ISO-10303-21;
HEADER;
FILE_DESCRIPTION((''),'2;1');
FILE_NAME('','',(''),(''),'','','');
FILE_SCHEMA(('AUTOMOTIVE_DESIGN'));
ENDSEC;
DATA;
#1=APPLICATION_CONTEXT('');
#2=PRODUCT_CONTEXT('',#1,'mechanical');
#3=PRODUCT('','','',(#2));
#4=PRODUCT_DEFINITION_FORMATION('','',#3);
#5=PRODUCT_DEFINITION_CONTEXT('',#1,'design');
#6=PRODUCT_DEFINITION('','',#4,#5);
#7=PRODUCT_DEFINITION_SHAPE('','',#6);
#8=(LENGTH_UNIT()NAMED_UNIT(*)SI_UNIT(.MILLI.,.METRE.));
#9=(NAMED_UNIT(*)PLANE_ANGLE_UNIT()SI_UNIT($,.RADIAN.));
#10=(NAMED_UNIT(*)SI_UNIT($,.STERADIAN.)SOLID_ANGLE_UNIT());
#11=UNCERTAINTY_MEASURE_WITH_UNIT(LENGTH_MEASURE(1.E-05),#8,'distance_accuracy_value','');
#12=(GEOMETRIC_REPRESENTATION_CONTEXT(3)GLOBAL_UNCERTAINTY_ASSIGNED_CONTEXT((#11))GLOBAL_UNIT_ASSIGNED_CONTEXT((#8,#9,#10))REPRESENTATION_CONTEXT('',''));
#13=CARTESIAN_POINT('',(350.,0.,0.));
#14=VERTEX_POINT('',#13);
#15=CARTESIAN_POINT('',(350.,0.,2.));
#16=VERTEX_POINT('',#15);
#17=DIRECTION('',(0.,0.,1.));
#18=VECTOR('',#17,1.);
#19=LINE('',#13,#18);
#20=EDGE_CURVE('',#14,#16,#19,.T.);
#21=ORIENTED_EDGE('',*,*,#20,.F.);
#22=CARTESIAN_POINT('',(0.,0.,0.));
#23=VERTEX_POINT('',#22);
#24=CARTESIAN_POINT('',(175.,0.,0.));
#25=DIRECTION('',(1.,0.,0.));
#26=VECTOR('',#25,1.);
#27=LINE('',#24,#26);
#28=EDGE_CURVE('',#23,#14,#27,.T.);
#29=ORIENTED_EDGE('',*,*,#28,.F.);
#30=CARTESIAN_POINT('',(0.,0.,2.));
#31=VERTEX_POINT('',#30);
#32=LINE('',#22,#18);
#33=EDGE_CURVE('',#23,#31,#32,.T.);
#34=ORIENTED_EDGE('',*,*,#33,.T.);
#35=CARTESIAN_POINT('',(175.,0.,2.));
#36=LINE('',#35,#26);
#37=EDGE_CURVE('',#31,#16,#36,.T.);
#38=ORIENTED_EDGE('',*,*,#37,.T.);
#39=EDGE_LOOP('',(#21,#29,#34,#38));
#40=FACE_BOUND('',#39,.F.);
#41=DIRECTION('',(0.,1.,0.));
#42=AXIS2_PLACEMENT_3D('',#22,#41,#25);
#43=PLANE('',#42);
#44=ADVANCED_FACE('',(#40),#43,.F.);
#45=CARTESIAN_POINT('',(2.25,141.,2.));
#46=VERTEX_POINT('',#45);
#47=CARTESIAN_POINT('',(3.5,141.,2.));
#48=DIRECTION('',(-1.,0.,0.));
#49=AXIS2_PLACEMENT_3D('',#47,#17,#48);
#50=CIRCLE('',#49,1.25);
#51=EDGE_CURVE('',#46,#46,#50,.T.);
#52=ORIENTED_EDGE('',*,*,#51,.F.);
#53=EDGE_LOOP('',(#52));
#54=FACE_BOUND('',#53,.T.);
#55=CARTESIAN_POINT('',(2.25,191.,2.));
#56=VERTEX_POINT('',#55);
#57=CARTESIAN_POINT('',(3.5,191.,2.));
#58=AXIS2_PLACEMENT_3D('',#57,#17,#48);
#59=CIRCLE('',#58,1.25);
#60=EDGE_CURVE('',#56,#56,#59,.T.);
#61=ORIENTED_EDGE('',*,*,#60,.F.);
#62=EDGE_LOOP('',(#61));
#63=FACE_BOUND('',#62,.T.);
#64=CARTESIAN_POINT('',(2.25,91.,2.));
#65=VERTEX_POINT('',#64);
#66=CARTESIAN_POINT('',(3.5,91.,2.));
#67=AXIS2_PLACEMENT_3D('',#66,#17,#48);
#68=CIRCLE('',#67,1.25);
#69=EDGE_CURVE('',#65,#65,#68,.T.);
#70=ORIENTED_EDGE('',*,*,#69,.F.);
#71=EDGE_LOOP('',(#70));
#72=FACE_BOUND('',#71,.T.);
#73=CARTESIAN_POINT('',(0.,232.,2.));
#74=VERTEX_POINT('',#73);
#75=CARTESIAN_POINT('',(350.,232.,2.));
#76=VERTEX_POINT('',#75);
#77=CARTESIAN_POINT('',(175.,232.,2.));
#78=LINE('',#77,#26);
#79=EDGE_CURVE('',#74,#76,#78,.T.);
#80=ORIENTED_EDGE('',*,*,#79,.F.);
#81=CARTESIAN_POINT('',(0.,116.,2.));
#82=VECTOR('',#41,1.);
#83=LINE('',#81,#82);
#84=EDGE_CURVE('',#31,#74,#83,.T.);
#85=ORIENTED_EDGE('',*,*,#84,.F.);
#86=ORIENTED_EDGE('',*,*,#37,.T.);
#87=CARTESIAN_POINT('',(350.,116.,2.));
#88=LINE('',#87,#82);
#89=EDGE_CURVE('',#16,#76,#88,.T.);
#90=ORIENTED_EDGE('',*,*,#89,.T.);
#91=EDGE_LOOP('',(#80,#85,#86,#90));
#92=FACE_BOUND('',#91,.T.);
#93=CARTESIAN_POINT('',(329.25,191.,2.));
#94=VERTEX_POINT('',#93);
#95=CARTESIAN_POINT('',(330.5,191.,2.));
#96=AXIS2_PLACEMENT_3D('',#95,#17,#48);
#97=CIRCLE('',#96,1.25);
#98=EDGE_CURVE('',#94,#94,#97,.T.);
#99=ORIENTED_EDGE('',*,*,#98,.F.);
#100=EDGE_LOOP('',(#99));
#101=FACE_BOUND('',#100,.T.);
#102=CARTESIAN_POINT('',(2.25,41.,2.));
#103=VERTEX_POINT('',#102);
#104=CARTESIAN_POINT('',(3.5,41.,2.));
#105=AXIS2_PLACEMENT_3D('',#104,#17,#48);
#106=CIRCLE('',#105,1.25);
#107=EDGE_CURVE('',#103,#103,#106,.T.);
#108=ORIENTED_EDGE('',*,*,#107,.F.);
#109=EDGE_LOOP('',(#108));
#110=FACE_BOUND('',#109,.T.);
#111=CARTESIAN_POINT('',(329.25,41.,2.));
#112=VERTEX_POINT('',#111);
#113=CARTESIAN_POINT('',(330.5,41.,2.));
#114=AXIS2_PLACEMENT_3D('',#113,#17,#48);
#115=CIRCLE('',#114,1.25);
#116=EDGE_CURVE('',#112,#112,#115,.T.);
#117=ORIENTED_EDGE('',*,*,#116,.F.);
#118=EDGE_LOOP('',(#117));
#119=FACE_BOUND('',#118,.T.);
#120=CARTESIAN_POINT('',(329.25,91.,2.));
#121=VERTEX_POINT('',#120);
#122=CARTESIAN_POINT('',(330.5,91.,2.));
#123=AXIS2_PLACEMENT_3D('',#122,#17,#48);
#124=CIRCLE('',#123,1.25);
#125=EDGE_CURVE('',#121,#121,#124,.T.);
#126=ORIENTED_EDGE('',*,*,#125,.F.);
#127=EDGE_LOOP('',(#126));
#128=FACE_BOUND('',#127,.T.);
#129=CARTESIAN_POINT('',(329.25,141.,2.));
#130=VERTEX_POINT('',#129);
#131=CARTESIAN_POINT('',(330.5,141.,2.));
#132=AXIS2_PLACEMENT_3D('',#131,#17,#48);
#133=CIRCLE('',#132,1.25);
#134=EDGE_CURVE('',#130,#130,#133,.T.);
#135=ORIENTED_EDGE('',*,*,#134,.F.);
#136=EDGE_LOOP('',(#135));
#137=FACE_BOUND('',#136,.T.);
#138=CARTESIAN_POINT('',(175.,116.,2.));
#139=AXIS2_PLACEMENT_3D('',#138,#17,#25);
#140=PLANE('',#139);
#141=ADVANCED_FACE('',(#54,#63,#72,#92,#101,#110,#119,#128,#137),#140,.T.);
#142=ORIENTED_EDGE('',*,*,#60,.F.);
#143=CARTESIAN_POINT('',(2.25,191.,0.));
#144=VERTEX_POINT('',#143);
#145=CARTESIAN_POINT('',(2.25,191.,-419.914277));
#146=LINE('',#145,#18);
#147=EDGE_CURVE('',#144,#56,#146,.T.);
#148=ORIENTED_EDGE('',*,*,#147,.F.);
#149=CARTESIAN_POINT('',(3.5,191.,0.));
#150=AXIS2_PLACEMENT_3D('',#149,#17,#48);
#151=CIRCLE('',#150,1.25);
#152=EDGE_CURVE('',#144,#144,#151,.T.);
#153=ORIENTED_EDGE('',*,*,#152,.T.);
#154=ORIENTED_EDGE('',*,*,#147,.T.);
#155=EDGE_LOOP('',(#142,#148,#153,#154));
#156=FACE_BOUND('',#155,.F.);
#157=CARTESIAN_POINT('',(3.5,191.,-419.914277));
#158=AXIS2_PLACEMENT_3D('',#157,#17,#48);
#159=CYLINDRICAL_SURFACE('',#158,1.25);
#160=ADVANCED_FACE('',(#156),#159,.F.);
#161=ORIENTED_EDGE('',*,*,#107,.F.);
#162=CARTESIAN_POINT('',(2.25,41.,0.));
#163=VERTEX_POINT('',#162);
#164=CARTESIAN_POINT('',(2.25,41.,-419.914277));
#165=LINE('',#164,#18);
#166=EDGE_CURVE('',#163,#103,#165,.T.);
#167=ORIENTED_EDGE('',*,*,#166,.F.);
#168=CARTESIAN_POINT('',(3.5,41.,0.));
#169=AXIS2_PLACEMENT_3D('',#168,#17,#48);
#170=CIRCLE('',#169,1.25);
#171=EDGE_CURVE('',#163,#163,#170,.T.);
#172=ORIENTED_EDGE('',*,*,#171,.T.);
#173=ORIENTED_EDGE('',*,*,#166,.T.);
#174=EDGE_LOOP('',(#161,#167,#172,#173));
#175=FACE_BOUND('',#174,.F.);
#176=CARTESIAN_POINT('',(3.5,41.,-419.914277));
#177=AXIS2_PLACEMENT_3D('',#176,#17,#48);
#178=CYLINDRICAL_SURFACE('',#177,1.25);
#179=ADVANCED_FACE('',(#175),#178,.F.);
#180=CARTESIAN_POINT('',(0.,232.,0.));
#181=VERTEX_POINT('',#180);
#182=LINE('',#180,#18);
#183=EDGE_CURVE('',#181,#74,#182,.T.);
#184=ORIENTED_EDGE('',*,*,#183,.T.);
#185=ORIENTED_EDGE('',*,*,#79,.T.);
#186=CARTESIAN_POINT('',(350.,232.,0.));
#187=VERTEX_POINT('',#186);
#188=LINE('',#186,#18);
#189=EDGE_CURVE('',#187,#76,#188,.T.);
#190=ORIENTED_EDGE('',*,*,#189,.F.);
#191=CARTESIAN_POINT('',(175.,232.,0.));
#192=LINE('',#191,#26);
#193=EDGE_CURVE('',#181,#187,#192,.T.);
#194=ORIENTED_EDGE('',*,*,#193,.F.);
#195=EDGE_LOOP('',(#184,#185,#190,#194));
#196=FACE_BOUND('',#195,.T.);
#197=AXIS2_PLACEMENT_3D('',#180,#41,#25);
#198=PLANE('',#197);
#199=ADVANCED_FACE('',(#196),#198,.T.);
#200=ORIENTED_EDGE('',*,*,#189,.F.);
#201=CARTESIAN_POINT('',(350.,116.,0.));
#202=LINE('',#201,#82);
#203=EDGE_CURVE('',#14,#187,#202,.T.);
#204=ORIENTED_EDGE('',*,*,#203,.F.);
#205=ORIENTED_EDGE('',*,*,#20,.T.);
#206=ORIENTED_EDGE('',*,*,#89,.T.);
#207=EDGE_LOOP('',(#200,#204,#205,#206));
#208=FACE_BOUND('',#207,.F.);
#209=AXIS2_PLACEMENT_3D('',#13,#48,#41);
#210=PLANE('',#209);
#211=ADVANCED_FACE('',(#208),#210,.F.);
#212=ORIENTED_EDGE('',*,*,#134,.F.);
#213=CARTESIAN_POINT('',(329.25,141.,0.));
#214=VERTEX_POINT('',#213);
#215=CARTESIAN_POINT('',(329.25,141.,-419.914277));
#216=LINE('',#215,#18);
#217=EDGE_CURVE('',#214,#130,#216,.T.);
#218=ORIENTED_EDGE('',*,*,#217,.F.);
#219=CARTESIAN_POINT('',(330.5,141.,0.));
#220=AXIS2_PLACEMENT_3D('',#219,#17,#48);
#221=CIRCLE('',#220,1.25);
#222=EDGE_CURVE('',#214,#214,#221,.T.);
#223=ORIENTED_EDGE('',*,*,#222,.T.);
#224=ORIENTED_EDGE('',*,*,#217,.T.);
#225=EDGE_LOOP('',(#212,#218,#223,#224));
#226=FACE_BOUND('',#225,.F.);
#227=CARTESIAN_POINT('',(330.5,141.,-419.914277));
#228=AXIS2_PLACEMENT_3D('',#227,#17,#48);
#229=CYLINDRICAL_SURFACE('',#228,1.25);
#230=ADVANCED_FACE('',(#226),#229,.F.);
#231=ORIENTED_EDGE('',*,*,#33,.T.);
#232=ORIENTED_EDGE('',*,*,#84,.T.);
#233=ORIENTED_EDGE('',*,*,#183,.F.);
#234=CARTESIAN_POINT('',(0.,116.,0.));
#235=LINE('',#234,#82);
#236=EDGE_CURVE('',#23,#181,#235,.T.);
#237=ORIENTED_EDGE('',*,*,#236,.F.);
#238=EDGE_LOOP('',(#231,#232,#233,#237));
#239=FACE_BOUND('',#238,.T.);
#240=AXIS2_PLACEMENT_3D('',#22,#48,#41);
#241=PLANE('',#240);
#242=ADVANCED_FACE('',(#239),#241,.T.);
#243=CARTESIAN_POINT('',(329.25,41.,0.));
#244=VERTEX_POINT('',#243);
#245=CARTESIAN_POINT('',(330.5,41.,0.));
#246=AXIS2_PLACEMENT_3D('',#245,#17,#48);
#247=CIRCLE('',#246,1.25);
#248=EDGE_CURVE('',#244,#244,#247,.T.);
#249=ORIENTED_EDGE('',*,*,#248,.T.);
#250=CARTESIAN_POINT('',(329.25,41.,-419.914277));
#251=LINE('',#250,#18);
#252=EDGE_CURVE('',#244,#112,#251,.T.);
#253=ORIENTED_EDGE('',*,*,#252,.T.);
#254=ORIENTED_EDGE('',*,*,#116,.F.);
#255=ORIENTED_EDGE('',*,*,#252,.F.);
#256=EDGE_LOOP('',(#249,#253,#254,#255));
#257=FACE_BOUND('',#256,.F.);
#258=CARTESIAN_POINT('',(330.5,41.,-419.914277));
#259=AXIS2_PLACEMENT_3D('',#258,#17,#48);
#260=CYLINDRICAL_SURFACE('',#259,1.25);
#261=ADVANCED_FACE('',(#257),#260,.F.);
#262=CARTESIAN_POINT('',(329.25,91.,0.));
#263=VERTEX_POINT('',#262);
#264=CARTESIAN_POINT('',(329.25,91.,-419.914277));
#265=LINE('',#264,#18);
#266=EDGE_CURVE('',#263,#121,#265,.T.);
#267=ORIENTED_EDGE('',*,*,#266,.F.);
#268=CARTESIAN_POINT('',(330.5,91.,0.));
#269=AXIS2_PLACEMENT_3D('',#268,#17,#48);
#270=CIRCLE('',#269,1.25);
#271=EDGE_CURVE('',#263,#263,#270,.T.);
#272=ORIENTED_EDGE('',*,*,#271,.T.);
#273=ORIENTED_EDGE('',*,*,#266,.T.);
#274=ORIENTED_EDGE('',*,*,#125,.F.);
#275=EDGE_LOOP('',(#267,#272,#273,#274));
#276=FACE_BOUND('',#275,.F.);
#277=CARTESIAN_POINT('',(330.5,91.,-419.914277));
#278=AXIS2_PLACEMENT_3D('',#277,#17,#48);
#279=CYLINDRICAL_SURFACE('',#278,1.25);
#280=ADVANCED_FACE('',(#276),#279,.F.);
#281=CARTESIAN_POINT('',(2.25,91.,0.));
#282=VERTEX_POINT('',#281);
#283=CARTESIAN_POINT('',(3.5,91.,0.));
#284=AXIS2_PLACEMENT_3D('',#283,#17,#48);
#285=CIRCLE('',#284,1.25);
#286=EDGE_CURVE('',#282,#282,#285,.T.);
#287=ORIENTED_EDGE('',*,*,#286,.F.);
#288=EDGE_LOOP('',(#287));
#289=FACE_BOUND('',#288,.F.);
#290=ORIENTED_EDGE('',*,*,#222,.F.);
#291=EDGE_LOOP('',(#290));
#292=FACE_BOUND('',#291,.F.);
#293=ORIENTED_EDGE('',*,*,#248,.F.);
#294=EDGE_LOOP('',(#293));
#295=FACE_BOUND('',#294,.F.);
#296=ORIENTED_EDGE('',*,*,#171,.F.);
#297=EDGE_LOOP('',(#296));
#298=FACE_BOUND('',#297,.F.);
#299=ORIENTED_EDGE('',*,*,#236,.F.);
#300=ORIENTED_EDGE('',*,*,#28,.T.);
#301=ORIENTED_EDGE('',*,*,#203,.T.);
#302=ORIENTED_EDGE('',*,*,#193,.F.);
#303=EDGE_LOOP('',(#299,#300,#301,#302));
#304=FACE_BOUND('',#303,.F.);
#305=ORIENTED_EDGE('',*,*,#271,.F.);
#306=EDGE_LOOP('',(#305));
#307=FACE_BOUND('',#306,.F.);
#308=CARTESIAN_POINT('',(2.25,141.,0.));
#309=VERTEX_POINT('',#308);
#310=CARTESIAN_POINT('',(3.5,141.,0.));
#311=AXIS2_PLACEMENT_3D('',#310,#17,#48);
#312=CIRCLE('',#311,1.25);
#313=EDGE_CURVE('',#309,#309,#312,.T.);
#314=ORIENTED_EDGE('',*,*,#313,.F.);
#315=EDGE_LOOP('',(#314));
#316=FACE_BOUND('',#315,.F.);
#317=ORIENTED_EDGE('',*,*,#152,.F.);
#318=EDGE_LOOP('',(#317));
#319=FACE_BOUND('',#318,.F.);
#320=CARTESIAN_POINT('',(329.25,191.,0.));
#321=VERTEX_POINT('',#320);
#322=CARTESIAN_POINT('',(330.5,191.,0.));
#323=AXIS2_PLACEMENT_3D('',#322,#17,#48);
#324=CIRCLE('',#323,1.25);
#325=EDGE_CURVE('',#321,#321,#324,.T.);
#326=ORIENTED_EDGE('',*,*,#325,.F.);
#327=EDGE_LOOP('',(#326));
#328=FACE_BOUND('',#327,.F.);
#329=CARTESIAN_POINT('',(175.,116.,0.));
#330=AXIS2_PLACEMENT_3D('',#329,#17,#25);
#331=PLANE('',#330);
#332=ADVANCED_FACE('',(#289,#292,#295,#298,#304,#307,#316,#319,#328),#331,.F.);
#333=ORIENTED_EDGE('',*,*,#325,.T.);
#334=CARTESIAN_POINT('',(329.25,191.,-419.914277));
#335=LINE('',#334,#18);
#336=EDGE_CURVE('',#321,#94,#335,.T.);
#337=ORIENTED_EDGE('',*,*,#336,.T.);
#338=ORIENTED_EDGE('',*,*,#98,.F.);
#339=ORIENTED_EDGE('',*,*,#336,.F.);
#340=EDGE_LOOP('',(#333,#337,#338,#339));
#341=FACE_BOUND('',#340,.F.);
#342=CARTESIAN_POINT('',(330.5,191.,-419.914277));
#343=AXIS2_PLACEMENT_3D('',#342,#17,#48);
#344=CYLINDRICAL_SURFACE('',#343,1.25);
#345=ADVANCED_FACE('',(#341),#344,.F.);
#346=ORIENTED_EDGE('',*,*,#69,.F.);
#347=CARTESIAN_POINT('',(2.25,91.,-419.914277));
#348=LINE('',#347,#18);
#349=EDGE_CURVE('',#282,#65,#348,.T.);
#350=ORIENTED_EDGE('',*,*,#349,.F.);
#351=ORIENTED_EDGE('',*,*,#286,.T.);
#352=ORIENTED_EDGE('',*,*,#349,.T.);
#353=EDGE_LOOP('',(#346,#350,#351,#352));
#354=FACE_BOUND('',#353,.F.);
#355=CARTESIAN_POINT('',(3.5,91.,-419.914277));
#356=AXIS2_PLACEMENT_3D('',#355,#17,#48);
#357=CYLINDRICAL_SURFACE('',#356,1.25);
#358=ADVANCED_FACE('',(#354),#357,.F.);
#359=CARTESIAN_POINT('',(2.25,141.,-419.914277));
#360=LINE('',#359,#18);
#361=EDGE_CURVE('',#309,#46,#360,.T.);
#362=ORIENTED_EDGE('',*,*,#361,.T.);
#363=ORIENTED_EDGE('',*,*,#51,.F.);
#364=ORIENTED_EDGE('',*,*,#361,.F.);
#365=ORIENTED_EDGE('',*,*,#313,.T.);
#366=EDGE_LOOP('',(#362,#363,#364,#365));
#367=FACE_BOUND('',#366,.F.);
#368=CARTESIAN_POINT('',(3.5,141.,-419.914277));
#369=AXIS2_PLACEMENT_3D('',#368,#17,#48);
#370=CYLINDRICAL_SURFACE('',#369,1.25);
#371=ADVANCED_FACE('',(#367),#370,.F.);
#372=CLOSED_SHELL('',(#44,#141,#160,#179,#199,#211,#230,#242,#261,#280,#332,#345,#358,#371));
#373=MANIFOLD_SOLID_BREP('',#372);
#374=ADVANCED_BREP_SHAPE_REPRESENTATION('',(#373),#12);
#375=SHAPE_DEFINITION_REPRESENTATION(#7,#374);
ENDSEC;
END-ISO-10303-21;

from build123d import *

# Parameters (mm, degrees)
F0_W     = 350
F0_H     = 232
F1_DEPTH = 2
F3_D     = 2.5


with BuildPart() as f1:
    # F0 (on Top) → F1 (new body)
    with BuildSketch(Plane.XY):
        with Locations((175, 116)):
            Rectangle(F0_W, F0_H)
    extrude(amount=F1_DEPTH)

    # F3 (through all)
    with Locations(Plane(origin=(0, 0, 0), x_dir=(1, 0, 0), z_dir=(0, 0, -1))):
        with Locations((330.5, -191), (330.5, -141), (330.5, -91), (330.5, -41), (3.5, -191), (3.5, -141), (3.5, -91), (3.5, -41)):
            Hole(F3_D / 2)


solid = f1.part
